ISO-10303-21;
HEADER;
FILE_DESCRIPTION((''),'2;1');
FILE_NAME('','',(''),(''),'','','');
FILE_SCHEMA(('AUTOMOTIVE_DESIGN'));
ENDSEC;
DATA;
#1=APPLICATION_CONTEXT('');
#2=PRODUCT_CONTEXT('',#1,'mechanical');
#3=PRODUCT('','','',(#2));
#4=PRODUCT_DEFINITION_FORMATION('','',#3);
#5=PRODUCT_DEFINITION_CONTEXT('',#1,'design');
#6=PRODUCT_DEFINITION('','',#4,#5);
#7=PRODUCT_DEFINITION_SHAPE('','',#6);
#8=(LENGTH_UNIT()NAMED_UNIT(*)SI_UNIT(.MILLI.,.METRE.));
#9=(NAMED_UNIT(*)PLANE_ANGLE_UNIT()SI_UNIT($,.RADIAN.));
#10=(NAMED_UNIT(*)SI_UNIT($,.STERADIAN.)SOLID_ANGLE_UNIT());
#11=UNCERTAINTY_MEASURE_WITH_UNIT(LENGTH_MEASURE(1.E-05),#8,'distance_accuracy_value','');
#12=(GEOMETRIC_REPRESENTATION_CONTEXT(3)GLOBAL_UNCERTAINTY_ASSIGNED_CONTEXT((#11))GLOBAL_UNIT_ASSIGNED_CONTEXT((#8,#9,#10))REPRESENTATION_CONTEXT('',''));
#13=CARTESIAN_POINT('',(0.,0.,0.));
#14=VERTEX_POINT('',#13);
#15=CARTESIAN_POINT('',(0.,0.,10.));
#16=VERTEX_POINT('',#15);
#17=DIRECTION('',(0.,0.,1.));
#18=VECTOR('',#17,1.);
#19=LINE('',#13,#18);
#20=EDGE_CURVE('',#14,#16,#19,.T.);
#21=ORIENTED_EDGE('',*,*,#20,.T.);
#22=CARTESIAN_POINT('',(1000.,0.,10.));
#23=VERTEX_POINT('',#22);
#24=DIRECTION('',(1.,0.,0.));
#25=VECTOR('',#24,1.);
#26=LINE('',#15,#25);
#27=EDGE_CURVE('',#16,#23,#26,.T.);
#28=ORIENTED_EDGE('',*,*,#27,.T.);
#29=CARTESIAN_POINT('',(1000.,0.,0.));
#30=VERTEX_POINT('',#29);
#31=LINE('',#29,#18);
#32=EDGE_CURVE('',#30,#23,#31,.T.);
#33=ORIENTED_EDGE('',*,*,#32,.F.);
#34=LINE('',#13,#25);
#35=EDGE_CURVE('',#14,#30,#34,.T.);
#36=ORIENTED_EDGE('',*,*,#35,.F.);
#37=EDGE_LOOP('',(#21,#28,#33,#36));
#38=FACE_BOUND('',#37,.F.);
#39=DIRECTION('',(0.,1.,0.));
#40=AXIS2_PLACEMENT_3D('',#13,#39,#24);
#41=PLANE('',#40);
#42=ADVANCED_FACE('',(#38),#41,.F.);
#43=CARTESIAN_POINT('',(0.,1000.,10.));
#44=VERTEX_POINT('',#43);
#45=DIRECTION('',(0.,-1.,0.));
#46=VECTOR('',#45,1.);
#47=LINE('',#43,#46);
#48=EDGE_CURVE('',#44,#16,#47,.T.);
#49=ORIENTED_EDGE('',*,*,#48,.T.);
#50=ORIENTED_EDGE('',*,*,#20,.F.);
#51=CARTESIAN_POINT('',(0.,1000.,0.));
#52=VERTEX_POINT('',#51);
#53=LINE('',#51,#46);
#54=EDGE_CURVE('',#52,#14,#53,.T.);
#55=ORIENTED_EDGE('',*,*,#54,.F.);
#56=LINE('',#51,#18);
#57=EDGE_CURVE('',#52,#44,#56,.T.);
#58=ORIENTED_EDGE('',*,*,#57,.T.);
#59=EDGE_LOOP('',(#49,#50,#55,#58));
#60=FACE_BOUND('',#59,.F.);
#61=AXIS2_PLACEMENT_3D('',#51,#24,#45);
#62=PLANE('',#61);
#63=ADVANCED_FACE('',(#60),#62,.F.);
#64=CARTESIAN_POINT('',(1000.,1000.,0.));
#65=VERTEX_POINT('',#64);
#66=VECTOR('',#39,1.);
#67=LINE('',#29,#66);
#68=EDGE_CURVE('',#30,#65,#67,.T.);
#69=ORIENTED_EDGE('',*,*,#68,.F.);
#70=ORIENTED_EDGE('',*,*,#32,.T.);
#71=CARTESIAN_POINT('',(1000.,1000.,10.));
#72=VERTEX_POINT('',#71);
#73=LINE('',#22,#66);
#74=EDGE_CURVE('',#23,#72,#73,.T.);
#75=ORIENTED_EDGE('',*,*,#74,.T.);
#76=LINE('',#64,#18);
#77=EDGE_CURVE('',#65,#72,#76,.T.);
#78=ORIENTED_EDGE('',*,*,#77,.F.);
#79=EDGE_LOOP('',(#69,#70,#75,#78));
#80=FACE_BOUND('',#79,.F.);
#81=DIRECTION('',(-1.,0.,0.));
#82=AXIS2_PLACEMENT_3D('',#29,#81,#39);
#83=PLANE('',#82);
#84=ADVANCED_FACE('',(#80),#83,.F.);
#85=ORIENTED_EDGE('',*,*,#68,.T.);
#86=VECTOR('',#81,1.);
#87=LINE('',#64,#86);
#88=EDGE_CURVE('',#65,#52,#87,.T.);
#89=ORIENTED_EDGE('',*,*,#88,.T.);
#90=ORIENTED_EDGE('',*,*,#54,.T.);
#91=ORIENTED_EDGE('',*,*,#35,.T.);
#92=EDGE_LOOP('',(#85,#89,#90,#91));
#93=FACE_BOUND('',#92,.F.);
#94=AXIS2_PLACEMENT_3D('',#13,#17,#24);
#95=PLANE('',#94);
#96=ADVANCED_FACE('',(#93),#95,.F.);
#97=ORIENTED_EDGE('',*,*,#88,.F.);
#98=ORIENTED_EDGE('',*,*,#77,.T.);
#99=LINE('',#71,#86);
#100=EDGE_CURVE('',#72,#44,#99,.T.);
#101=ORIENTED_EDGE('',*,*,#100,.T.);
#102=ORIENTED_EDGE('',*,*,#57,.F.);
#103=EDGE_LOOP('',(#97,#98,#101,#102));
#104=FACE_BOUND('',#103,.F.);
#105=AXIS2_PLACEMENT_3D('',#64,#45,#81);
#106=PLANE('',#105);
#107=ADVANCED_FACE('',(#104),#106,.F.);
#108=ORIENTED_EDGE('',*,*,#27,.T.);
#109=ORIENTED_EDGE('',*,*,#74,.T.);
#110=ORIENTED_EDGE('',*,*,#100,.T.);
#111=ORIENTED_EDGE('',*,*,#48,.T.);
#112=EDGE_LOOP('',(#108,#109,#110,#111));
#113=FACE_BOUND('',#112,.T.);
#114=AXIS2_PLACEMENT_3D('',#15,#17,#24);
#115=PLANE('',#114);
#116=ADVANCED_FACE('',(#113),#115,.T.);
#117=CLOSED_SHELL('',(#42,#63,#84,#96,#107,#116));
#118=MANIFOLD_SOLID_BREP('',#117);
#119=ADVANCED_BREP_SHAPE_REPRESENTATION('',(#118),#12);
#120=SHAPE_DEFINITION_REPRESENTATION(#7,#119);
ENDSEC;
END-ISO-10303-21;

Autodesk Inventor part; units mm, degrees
ref_plane "YZ Plane" through (0, 0, 0) normal (1, 0, 0) x (0, 1, 0)
ref_plane "XZ Plane" through (0, 0, 0) normal (0, 1, 0) x (-1, 0, 0)
ref_plane "XY Plane" through (0, 0, 0) normal (0, 0, 1) x (1, 0, 0)
sketch "Sketch1" plane through (0, 0, 0) normal (0, 0, 1) x (1, 0, 0)
  line L0 (0, 0) -> (1000, 0)
  line L1 (1000, 0) -> (1000, 1000)
  line L2 (1000, 1000) -> (0, 1000)
  line L3 (0, 1000) -> (0, 0)
  dimension "d0" = 1000
  dimension "d1" = 1000
extrude "Extrusion1" add sketch "Sketch1" along normal blind 10
properties part number "plate"
